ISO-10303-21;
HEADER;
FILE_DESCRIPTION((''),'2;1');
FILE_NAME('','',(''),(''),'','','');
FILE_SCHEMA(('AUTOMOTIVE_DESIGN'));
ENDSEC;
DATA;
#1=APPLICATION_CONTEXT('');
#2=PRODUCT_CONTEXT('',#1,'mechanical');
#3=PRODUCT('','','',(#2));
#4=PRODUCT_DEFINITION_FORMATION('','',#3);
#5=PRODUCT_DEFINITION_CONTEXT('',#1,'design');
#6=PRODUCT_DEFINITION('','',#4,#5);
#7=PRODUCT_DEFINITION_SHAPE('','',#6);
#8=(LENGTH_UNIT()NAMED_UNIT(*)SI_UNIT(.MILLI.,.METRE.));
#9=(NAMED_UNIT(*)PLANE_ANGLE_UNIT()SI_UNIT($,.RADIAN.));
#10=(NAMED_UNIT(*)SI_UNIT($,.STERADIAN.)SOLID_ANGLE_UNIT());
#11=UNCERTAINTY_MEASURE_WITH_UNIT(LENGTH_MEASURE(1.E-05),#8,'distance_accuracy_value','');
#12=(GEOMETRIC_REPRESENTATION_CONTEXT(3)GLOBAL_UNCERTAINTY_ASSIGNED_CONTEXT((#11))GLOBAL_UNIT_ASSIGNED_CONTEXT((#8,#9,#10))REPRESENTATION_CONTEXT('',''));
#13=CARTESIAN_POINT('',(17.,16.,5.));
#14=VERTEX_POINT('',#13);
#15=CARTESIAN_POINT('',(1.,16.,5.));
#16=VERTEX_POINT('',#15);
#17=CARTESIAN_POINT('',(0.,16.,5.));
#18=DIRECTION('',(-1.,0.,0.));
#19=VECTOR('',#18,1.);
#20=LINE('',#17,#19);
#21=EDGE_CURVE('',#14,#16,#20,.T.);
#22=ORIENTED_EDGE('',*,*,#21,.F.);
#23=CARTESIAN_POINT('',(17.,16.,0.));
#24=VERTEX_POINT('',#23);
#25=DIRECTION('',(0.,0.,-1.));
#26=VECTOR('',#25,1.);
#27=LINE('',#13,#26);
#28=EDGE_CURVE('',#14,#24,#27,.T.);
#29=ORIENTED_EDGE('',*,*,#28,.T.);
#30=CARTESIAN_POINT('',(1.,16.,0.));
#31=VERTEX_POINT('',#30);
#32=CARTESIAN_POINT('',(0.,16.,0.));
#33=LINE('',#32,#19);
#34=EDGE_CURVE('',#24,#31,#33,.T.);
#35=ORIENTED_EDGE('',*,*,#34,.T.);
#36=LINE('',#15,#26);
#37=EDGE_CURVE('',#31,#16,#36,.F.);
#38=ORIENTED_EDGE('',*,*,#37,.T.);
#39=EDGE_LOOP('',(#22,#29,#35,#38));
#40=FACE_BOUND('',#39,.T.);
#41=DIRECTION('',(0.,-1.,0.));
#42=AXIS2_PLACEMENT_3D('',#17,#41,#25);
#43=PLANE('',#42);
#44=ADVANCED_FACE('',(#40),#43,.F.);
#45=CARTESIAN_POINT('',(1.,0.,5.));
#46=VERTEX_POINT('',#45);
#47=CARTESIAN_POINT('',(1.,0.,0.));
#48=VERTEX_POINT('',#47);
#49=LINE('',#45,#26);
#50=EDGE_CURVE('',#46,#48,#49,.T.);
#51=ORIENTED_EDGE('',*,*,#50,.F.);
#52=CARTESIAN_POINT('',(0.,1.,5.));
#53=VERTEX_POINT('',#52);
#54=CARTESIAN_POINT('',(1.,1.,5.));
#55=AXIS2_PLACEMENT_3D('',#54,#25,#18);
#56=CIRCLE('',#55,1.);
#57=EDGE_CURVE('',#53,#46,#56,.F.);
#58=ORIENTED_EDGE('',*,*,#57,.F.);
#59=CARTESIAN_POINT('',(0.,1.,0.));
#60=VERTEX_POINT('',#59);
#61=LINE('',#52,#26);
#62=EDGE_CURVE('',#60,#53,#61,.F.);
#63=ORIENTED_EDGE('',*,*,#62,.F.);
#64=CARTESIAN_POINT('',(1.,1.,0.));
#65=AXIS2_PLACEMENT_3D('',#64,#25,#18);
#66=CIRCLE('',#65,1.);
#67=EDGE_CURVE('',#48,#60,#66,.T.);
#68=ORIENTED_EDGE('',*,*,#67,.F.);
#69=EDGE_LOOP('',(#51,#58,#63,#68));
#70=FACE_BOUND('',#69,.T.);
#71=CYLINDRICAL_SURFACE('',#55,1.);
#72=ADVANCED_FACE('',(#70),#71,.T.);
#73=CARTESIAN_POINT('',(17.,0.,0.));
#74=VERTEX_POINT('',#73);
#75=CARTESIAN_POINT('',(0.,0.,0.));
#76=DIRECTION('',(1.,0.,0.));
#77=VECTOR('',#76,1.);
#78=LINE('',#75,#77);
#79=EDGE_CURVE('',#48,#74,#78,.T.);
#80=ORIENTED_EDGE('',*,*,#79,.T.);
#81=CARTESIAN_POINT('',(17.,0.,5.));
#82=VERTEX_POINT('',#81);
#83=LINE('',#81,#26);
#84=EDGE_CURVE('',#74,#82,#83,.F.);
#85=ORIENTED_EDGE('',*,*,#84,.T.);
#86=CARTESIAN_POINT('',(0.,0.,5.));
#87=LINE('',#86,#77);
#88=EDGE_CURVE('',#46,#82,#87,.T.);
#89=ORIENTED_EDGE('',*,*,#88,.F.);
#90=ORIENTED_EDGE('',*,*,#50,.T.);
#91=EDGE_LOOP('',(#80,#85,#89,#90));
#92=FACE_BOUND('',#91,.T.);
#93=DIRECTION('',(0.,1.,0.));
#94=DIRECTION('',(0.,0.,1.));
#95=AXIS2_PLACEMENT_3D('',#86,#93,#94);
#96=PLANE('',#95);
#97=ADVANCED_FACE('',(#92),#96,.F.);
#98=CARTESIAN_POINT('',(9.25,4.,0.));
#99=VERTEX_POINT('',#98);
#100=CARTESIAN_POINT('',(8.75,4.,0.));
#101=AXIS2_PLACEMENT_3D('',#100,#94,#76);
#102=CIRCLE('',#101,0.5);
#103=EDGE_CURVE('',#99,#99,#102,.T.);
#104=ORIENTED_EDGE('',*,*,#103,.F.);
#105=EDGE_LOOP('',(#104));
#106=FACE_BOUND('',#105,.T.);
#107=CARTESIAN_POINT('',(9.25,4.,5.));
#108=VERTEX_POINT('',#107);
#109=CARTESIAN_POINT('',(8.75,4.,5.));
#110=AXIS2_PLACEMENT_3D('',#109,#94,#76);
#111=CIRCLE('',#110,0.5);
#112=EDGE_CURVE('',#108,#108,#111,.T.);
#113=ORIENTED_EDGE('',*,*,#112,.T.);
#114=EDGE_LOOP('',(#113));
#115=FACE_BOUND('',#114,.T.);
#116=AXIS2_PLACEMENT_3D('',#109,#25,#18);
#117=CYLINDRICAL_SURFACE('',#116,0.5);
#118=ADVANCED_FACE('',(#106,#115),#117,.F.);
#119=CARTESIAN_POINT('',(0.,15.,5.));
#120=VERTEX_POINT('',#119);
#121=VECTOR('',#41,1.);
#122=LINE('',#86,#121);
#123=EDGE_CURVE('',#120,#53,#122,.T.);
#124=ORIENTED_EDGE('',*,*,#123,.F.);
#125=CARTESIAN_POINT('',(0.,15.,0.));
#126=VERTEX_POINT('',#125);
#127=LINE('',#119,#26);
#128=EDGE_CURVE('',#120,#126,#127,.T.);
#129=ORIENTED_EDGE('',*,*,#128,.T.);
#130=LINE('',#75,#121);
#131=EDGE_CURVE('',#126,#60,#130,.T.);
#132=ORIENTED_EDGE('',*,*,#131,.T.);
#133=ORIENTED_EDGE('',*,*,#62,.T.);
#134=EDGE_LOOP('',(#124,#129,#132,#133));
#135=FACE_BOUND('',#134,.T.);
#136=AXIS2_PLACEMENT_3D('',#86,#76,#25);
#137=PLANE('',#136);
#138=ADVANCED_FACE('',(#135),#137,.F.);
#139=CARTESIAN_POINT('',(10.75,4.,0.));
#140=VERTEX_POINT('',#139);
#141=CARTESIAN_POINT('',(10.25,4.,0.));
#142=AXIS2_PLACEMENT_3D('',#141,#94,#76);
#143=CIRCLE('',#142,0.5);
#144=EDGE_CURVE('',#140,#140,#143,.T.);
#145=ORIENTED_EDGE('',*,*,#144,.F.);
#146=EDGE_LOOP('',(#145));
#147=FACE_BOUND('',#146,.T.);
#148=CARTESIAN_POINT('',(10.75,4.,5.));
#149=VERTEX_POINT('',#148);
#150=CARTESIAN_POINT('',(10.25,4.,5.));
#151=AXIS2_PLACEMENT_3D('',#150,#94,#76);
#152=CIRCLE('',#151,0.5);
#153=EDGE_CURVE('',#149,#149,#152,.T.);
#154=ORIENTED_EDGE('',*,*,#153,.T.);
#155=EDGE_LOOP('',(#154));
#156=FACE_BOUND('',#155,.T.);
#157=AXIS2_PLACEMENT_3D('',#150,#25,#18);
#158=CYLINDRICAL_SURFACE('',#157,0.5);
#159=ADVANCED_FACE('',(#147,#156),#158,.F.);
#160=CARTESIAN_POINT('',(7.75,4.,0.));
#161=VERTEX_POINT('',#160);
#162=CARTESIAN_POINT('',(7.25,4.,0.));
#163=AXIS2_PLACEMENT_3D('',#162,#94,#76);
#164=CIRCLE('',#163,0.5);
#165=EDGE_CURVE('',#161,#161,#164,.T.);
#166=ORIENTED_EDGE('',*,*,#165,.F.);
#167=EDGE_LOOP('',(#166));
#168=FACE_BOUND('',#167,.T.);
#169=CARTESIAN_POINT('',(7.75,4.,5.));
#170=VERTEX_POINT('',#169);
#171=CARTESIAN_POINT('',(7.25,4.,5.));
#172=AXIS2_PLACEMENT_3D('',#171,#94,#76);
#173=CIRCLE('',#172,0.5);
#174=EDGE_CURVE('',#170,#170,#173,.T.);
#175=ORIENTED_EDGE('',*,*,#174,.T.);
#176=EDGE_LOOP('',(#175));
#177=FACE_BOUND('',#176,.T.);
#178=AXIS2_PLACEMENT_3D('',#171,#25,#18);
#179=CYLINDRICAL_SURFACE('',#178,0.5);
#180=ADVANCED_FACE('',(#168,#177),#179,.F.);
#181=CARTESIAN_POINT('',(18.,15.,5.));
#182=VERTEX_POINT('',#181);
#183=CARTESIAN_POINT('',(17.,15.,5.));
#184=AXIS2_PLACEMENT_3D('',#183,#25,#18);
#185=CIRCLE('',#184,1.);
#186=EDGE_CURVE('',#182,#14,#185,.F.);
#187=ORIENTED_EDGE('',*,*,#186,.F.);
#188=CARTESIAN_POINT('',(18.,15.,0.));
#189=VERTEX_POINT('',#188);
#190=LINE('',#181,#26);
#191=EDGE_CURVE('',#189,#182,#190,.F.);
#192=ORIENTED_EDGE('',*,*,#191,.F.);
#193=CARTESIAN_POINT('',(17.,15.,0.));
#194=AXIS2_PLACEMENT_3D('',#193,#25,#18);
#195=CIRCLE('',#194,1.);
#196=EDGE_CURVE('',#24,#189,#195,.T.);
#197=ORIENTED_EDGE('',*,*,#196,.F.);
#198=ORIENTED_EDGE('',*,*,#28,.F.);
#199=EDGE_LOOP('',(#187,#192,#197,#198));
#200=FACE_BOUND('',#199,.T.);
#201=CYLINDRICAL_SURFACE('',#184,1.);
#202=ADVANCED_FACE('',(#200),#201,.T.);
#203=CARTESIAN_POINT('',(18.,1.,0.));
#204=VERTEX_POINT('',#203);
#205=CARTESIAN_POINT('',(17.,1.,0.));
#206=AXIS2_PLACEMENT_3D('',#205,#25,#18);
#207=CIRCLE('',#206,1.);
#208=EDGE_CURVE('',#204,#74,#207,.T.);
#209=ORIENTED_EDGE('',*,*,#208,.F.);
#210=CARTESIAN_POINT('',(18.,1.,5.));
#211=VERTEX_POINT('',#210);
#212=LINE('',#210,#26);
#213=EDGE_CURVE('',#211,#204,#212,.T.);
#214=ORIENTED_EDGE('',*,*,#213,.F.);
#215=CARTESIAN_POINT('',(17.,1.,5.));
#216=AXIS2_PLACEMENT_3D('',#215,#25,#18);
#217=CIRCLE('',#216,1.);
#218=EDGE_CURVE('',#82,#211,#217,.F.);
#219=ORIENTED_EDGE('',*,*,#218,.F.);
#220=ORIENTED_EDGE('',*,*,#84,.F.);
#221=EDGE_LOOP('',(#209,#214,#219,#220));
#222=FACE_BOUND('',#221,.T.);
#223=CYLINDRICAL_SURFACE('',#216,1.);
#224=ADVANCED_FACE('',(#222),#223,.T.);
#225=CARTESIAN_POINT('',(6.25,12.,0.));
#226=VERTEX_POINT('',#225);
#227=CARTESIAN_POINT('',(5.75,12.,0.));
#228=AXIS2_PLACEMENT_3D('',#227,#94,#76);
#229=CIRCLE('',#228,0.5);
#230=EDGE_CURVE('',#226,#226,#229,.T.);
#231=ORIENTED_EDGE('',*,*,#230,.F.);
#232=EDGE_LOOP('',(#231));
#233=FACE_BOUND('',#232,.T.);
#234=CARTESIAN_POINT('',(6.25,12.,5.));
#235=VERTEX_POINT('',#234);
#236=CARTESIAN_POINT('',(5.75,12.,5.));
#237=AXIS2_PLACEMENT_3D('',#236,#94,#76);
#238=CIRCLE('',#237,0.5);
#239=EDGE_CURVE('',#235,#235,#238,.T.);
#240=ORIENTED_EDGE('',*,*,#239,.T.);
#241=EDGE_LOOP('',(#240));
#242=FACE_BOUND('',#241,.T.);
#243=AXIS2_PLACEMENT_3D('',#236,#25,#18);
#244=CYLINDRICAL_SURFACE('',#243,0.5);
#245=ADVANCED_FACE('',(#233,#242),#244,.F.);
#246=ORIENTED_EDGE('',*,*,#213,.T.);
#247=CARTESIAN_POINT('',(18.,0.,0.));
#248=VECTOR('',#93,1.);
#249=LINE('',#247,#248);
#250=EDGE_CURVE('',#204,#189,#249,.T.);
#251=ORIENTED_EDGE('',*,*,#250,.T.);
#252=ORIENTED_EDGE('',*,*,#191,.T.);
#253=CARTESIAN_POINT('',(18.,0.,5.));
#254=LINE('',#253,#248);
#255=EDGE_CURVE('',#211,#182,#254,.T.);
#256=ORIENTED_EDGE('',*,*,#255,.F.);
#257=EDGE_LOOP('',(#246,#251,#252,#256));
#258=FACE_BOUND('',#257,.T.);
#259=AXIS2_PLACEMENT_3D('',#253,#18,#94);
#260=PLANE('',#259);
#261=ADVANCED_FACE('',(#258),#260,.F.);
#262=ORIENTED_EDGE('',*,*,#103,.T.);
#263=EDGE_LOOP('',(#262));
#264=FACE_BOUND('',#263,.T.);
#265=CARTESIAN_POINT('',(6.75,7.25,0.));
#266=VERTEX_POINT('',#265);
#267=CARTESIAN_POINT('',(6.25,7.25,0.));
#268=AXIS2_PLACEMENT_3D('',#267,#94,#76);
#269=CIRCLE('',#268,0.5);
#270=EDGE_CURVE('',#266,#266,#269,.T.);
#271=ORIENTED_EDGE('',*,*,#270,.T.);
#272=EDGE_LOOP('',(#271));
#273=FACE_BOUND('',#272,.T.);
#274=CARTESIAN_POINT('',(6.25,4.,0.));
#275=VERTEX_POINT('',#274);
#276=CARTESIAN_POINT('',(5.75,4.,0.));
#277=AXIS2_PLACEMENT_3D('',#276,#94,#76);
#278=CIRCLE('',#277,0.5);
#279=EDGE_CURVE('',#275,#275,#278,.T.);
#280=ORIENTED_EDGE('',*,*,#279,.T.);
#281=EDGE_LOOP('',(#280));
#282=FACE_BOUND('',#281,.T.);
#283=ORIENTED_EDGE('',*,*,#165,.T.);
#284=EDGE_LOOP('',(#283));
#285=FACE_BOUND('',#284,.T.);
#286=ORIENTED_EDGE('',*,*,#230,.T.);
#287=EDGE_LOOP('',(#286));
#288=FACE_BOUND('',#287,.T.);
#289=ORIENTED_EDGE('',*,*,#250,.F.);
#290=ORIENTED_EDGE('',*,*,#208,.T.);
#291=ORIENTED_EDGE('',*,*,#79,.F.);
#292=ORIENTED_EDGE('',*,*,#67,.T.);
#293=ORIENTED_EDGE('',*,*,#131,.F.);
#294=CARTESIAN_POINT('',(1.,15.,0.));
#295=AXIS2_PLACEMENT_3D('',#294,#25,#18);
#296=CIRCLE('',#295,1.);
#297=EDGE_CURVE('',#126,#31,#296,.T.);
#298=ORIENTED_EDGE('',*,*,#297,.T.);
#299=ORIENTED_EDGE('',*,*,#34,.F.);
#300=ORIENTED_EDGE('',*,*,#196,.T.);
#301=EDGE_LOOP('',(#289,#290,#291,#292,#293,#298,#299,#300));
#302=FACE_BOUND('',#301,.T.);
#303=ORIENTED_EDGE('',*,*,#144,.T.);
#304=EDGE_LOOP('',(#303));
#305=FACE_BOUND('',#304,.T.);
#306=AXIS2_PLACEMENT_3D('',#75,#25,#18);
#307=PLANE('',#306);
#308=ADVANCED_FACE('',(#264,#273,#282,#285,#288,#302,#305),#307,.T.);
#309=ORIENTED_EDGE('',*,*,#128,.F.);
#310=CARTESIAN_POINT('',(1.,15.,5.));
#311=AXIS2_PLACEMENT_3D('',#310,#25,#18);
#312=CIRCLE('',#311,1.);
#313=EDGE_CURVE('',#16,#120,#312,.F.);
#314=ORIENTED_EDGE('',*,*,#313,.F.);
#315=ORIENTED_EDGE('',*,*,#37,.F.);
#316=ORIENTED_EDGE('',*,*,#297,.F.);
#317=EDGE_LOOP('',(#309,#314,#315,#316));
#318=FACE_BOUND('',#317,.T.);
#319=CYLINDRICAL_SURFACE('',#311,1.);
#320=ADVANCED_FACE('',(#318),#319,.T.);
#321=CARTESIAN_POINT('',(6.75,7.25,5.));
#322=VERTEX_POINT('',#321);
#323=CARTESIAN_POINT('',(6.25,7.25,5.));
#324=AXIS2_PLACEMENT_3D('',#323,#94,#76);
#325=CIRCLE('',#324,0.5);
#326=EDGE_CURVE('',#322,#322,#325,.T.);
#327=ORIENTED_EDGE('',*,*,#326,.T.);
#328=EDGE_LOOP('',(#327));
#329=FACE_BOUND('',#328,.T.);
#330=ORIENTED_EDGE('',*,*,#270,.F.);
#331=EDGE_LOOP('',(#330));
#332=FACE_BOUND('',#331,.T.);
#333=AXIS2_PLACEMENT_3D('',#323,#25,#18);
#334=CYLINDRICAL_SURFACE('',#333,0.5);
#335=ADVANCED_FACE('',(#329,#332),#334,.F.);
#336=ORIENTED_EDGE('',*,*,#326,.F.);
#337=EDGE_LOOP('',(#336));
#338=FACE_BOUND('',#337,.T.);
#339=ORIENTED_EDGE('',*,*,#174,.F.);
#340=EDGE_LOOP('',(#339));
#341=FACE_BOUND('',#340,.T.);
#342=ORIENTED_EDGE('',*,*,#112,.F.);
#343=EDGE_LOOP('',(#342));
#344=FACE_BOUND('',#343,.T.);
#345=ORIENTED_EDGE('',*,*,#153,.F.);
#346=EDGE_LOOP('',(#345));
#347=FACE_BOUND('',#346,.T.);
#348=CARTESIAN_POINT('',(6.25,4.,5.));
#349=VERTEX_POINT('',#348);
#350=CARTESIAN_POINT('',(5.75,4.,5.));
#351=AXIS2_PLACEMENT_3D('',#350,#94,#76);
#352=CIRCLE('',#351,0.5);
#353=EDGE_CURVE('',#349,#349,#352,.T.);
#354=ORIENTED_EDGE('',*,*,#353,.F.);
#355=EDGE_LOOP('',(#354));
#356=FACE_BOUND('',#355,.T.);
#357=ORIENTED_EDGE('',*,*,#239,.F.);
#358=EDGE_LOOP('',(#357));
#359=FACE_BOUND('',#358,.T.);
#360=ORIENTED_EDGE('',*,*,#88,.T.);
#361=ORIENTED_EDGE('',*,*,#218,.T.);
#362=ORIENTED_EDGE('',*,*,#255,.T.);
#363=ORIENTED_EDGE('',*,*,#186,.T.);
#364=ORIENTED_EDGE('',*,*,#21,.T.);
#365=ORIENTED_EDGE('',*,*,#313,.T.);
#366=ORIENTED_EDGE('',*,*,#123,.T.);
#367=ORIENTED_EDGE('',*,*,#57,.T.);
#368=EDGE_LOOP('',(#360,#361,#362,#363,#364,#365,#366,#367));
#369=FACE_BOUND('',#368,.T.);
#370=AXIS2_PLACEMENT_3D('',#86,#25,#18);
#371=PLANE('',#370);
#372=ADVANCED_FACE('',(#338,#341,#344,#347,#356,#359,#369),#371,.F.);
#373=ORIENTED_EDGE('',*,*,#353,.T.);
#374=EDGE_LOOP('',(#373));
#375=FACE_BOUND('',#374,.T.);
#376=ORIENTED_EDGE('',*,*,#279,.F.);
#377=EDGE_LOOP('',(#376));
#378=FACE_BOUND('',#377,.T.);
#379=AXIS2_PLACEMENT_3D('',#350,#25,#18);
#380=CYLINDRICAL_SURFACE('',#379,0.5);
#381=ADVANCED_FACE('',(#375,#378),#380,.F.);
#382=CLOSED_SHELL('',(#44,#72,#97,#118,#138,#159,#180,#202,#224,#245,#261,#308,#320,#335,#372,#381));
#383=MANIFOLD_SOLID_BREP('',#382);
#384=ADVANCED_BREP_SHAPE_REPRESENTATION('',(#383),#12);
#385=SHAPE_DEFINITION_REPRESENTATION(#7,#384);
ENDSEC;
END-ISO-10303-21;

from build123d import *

# Parameters (mm, degrees)
SKETCH1_W           = 18
SKETCH1_H           = 16
SKETCH1_R           = 0.5
BOSS_EXTRUDE1_DEPTH = 5
FILLET2_R           = 1
FILLET3_R           = 1
FILLET4_R           = 1
FILLET5_R           = 1


with BuildPart() as part:
    # Sketch1 → Boss-Extrude1 (new body)
    with BuildSketch(Plane.XY):
        with Locations((9, 8)):
            Rectangle(SKETCH1_W, SKETCH1_H)
        with Locations((5.75, 4)):
            Circle(SKETCH1_R, mode=Mode.SUBTRACT)
        with Locations((7.25, 4)):
            Circle(SKETCH1_R, mode=Mode.SUBTRACT)
        with Locations((8.75, 4)):
            Circle(SKETCH1_R, mode=Mode.SUBTRACT)
        with Locations((10.25, 4)):
            Circle(SKETCH1_R, mode=Mode.SUBTRACT)
        with Locations((5.75, 12)):
            Circle(SKETCH1_R, mode=Mode.SUBTRACT)
        with Locations((6.25, 7.25)):
            Circle(SKETCH1_R, mode=Mode.SUBTRACT)
    extrude(amount=BOSS_EXTRUDE1_DEPTH)

    # Fillet2
    fillet2_edges = [part.edges().sort_by_distance(p)[0] for p in [
        (0, 0, 2.5),
    ]]
    fillet(fillet2_edges, radius=FILLET2_R)

    # Fillet3
    fillet3_edges = [part.edges().sort_by_distance(p)[0] for p in [
        (0, 16, 2.5),
    ]]
    fillet(fillet3_edges, radius=FILLET3_R)

    # Fillet4
    fillet4_edges = [part.edges().sort_by_distance(p)[0] for p in [
        (18, 16, 2.5),
    ]]
    fillet(fillet4_edges, radius=FILLET4_R)

    # Fillet5
    fillet5_edges = [part.edges().sort_by_distance(p)[0] for p in [
        (18, 0, 2.5),
    ]]
    fillet(fillet5_edges, radius=FILLET5_R)


solid = part.part
